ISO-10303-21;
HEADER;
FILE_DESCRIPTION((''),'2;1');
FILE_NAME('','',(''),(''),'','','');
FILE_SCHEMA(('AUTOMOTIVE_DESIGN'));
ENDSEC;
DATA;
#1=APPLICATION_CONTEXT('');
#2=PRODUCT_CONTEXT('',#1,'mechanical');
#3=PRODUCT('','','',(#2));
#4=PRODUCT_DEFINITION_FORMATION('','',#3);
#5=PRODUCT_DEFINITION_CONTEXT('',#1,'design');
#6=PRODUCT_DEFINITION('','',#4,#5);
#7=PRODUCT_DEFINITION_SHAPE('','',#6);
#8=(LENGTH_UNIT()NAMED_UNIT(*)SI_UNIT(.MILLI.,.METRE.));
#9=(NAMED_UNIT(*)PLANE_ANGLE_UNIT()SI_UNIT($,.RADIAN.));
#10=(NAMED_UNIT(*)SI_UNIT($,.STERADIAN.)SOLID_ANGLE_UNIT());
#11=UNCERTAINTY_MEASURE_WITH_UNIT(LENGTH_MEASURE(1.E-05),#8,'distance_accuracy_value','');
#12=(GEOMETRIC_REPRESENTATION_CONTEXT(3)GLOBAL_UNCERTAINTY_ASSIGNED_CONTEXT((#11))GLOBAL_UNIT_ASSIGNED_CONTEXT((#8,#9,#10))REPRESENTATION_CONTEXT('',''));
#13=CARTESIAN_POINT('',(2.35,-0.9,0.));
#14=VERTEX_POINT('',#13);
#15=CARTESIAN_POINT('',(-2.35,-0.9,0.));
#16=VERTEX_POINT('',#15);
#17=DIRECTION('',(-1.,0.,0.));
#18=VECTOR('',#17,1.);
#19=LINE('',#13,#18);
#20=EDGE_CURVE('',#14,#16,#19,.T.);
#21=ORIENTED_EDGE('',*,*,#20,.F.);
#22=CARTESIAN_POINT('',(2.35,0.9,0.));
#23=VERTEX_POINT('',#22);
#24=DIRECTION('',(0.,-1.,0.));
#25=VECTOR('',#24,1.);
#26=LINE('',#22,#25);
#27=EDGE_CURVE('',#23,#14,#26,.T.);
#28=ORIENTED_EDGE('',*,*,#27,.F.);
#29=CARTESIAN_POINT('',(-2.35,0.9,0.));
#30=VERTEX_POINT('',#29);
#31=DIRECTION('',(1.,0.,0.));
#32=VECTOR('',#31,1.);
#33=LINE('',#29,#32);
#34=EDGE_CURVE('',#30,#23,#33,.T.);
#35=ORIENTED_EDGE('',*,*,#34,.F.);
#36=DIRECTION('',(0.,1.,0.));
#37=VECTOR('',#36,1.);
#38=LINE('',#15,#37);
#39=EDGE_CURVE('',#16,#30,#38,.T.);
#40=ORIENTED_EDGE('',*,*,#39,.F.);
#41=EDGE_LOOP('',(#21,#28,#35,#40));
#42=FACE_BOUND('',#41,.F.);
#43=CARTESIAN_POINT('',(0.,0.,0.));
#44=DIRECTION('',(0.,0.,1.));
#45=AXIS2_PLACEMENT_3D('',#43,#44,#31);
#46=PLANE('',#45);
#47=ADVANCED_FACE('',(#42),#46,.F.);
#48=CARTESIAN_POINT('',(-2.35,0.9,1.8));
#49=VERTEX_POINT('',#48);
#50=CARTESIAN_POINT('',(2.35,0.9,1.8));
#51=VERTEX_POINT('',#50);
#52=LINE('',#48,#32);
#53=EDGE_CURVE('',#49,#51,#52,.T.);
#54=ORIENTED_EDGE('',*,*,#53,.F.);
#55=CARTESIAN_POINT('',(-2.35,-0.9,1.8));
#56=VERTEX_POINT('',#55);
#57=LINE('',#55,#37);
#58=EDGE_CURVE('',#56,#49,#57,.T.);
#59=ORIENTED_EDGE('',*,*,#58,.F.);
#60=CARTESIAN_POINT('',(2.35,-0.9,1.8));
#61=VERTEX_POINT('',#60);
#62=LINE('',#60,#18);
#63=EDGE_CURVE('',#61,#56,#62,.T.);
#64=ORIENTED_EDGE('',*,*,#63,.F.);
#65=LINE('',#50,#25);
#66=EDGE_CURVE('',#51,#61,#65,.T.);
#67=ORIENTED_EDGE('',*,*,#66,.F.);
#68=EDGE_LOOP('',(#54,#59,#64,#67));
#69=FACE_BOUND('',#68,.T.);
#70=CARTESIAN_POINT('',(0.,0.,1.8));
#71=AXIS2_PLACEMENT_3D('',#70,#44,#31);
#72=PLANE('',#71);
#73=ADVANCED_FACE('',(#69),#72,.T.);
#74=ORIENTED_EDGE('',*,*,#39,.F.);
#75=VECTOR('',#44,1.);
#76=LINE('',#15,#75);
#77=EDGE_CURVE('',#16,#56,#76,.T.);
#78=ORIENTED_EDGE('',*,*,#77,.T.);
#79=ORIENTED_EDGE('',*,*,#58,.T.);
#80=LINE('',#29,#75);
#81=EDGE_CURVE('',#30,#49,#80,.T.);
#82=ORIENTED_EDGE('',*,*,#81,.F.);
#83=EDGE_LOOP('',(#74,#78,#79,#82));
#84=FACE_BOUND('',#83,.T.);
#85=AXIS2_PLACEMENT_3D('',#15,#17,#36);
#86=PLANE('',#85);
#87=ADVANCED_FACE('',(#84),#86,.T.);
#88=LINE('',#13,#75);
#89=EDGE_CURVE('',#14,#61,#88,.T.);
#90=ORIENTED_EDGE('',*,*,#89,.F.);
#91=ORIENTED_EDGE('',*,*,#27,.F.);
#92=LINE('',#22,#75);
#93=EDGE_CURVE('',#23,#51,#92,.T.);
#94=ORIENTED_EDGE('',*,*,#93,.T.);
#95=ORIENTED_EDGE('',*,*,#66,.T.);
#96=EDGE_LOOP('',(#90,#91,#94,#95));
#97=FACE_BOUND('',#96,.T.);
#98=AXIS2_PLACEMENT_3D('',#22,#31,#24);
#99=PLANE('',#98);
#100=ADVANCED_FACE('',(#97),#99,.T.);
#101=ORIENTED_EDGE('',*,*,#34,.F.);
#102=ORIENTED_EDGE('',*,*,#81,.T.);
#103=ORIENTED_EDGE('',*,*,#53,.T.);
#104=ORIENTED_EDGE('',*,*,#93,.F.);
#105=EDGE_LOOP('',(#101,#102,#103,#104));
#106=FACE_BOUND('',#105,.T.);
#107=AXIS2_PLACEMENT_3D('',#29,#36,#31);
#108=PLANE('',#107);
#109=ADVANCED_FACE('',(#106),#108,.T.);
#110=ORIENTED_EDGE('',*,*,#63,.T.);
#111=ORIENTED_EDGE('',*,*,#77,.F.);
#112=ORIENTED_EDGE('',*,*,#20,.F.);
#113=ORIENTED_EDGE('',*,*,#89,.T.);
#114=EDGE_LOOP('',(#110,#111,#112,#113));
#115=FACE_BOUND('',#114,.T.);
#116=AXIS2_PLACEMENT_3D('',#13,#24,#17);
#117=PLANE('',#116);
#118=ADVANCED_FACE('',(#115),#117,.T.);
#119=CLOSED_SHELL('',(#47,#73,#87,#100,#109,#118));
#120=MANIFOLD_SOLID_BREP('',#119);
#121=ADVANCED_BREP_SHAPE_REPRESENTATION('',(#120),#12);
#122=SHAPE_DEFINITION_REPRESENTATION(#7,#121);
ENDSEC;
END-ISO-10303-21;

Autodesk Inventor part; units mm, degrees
ref_plane "YZ Plane" through (0, 0, 0) normal (1, 0, 0) x (0, 1, 0)
ref_plane "XZ Plane" through (0, 0, 0) normal (0, 1, 0) x (-1, 0, 0)
ref_plane "XY Plane" through (0, 0, 0) normal (0, 0, 1) x (1, 0, 0)
sketch "L1806, BLM41PG600SN1L_79" plane through (0, 0, 0) normal (0, 0, 1) x (1, 0, 0)
  line L0 (-2.35, 0.9) -> (2.35, 0.9)
  line L1 (2.35, 0.9) -> (2.35, -0.9)
  line L2 (2.35, -0.9) -> (-2.35, -0.9)
  line L3 (-2.35, -0.9) -> (-2.35, 0.9)
extrude "Extrusion1" add sketch "L1806, BLM41PG600SN1L_79" along normal blind 1.8
properties part number "BLM41PG600SN1L"
